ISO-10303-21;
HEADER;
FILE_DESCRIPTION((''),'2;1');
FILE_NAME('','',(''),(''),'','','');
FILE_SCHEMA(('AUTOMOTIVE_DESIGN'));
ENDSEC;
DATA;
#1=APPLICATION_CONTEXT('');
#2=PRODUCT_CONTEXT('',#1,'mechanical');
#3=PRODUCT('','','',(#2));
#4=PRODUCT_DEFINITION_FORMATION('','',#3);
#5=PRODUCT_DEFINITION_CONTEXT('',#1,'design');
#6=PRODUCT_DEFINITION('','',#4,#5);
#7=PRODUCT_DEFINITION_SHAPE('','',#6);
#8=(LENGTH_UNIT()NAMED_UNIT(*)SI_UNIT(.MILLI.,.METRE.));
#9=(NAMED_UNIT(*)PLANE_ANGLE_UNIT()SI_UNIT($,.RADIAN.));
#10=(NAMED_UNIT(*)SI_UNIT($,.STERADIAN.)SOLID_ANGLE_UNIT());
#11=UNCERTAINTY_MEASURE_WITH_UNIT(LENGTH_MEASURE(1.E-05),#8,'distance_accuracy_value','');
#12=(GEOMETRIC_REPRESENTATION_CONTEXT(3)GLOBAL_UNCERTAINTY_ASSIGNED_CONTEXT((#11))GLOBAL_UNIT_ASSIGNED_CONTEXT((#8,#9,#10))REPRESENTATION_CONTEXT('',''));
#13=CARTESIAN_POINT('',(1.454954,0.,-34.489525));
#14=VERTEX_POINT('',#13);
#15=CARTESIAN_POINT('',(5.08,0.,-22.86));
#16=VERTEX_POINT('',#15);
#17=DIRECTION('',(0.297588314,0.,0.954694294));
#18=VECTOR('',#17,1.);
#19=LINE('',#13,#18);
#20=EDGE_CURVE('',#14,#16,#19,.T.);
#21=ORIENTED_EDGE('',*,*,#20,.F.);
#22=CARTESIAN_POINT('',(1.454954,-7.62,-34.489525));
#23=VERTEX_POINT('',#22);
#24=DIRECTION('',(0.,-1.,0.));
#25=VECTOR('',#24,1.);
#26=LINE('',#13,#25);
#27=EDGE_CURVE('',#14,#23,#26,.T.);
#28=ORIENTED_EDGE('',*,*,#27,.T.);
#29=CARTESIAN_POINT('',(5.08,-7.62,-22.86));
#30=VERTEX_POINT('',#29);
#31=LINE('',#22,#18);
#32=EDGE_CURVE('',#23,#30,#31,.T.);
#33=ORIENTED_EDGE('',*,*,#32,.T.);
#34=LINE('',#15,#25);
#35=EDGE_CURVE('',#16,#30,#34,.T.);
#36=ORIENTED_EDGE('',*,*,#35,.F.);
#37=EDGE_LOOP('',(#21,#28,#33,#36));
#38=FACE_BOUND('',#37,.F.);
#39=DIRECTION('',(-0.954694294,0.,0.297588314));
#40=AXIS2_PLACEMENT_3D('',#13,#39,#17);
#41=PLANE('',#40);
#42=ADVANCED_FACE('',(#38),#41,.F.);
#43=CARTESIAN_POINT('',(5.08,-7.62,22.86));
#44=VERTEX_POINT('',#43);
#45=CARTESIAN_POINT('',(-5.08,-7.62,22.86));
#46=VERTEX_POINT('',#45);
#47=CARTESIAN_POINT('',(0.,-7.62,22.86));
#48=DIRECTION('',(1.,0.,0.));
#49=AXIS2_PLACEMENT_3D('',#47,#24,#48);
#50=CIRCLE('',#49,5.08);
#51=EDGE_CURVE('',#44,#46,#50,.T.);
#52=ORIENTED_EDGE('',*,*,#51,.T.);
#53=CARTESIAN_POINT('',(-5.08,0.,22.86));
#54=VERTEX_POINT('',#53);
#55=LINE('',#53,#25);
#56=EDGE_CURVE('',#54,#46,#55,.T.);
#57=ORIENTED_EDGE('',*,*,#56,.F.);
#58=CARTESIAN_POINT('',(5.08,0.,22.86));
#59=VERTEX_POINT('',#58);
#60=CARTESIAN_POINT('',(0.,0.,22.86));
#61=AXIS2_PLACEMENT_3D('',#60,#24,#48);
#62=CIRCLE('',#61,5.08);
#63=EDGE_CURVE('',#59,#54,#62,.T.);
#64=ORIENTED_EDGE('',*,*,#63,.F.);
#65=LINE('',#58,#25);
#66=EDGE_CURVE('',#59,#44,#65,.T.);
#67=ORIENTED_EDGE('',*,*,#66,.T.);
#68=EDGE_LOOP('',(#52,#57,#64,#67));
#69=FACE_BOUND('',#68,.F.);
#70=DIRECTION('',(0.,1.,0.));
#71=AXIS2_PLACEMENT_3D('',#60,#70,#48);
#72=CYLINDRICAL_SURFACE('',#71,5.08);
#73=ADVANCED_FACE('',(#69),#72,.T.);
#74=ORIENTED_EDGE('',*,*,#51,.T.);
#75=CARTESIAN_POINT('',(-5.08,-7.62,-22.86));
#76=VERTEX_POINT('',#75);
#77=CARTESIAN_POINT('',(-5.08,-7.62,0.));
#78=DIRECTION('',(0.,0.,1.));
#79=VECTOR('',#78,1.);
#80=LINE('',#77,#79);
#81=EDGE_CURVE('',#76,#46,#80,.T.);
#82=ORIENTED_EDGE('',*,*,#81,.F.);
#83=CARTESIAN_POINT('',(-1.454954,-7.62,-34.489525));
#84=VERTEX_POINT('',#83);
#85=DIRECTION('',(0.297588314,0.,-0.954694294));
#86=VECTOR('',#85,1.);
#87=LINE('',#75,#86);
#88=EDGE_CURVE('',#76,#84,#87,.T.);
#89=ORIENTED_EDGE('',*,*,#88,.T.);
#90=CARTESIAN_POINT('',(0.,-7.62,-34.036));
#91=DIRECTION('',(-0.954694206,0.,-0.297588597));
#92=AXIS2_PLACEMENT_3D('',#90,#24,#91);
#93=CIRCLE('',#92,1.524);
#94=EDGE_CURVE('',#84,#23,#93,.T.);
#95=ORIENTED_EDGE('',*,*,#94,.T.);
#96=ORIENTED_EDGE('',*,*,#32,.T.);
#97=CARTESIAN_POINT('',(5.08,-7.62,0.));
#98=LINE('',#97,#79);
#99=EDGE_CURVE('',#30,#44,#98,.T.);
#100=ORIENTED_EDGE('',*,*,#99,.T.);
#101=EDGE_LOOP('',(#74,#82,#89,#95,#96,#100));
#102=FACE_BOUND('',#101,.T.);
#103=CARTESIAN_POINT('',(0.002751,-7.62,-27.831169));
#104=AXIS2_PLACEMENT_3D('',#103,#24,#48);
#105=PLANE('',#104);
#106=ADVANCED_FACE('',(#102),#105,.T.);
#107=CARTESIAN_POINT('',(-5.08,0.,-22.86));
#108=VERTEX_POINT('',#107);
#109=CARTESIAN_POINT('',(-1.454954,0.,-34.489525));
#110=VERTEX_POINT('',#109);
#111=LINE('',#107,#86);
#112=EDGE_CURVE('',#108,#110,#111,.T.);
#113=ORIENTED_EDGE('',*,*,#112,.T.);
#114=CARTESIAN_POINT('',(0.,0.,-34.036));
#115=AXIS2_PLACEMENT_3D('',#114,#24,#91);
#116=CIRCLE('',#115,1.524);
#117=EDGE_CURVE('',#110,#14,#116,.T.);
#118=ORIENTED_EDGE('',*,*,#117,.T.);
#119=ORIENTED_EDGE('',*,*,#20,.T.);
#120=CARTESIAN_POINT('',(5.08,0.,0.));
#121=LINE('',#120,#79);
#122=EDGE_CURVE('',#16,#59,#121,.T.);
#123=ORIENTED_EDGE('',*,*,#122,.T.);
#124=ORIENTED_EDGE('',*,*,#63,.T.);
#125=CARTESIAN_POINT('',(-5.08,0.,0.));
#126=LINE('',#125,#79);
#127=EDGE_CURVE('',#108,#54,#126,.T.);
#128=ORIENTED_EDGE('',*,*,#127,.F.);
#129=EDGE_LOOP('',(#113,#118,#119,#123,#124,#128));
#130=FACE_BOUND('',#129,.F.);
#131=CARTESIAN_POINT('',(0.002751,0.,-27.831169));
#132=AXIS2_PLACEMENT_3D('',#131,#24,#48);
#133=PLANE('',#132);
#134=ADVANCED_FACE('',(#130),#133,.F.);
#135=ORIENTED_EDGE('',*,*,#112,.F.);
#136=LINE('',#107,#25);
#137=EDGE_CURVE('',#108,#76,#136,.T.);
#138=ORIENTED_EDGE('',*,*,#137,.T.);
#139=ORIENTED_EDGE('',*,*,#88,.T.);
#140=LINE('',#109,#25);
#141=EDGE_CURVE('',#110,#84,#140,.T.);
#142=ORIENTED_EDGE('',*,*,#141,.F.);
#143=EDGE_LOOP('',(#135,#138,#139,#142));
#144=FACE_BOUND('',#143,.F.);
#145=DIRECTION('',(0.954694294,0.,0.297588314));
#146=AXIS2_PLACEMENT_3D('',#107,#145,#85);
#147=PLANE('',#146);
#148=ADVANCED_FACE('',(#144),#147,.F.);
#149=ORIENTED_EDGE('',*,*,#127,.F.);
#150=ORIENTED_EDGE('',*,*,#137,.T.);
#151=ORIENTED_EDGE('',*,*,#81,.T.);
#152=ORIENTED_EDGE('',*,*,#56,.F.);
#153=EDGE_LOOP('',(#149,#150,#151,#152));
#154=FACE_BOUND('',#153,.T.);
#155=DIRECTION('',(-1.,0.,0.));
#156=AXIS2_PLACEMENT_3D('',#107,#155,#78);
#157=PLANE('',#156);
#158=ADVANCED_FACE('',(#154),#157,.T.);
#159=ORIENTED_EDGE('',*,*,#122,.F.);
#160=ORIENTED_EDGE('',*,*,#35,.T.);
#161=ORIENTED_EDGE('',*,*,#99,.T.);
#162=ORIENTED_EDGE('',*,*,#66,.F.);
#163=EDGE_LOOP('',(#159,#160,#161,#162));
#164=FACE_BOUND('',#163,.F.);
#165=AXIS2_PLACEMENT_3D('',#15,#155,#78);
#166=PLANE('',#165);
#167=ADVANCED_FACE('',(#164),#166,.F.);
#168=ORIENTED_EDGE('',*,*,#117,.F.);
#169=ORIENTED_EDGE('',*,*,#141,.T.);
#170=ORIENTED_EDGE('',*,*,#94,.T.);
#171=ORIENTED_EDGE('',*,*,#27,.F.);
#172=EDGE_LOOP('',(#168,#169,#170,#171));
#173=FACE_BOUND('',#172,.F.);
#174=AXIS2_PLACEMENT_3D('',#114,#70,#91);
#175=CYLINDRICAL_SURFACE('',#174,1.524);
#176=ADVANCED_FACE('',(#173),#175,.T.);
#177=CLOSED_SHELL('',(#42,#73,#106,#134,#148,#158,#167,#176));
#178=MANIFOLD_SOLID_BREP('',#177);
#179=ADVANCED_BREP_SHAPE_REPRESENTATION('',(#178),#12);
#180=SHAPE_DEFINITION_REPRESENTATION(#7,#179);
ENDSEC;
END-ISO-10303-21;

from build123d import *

# Parameters (mm, degrees)
F0_W     = 10.16
F0_H     = 45.72
F1_DEPTH = 7.62


with BuildPart() as f1:
    # F0 (on Front) → F1 (new body)
    with BuildSketch(Plane.XZ):
        with BuildLine():
            Line((1.454954, -34.489525), (5.08, -22.86))
            Line((5.08, -22.86), (-5.08, -22.86))
            Line((-5.08, -22.86), (-1.454954, -34.489525))
            ThreePointArc((-1.454954, -34.489525), (-0.229375, -32.52936), (1.524, -34.036))
            ThreePointArc((1.524, -34.036), (1.50664, -34.265375), (1.454954, -34.489525))
        make_face()
        Rectangle(F0_W, F0_H)
        with BuildLine():
            Line((-5.08, 22.86), (5.08, 22.86))
            ThreePointArc((5.08, 22.86), (0, 27.94), (-5.08, 22.86))
        make_face()
        with BuildLine():
            ThreePointArc((-1.454954, -34.489525), (0, -35.56), (1.454954, -34.489525))
            ThreePointArc((1.454954, -34.489525), (1.50664, -34.265375), (1.524, -34.036))
            ThreePointArc((1.524, -34.036), (-0.229375, -32.52936), (-1.454954, -34.489525))
        make_face()
    extrude(amount=F1_DEPTH)


solid = f1.part
